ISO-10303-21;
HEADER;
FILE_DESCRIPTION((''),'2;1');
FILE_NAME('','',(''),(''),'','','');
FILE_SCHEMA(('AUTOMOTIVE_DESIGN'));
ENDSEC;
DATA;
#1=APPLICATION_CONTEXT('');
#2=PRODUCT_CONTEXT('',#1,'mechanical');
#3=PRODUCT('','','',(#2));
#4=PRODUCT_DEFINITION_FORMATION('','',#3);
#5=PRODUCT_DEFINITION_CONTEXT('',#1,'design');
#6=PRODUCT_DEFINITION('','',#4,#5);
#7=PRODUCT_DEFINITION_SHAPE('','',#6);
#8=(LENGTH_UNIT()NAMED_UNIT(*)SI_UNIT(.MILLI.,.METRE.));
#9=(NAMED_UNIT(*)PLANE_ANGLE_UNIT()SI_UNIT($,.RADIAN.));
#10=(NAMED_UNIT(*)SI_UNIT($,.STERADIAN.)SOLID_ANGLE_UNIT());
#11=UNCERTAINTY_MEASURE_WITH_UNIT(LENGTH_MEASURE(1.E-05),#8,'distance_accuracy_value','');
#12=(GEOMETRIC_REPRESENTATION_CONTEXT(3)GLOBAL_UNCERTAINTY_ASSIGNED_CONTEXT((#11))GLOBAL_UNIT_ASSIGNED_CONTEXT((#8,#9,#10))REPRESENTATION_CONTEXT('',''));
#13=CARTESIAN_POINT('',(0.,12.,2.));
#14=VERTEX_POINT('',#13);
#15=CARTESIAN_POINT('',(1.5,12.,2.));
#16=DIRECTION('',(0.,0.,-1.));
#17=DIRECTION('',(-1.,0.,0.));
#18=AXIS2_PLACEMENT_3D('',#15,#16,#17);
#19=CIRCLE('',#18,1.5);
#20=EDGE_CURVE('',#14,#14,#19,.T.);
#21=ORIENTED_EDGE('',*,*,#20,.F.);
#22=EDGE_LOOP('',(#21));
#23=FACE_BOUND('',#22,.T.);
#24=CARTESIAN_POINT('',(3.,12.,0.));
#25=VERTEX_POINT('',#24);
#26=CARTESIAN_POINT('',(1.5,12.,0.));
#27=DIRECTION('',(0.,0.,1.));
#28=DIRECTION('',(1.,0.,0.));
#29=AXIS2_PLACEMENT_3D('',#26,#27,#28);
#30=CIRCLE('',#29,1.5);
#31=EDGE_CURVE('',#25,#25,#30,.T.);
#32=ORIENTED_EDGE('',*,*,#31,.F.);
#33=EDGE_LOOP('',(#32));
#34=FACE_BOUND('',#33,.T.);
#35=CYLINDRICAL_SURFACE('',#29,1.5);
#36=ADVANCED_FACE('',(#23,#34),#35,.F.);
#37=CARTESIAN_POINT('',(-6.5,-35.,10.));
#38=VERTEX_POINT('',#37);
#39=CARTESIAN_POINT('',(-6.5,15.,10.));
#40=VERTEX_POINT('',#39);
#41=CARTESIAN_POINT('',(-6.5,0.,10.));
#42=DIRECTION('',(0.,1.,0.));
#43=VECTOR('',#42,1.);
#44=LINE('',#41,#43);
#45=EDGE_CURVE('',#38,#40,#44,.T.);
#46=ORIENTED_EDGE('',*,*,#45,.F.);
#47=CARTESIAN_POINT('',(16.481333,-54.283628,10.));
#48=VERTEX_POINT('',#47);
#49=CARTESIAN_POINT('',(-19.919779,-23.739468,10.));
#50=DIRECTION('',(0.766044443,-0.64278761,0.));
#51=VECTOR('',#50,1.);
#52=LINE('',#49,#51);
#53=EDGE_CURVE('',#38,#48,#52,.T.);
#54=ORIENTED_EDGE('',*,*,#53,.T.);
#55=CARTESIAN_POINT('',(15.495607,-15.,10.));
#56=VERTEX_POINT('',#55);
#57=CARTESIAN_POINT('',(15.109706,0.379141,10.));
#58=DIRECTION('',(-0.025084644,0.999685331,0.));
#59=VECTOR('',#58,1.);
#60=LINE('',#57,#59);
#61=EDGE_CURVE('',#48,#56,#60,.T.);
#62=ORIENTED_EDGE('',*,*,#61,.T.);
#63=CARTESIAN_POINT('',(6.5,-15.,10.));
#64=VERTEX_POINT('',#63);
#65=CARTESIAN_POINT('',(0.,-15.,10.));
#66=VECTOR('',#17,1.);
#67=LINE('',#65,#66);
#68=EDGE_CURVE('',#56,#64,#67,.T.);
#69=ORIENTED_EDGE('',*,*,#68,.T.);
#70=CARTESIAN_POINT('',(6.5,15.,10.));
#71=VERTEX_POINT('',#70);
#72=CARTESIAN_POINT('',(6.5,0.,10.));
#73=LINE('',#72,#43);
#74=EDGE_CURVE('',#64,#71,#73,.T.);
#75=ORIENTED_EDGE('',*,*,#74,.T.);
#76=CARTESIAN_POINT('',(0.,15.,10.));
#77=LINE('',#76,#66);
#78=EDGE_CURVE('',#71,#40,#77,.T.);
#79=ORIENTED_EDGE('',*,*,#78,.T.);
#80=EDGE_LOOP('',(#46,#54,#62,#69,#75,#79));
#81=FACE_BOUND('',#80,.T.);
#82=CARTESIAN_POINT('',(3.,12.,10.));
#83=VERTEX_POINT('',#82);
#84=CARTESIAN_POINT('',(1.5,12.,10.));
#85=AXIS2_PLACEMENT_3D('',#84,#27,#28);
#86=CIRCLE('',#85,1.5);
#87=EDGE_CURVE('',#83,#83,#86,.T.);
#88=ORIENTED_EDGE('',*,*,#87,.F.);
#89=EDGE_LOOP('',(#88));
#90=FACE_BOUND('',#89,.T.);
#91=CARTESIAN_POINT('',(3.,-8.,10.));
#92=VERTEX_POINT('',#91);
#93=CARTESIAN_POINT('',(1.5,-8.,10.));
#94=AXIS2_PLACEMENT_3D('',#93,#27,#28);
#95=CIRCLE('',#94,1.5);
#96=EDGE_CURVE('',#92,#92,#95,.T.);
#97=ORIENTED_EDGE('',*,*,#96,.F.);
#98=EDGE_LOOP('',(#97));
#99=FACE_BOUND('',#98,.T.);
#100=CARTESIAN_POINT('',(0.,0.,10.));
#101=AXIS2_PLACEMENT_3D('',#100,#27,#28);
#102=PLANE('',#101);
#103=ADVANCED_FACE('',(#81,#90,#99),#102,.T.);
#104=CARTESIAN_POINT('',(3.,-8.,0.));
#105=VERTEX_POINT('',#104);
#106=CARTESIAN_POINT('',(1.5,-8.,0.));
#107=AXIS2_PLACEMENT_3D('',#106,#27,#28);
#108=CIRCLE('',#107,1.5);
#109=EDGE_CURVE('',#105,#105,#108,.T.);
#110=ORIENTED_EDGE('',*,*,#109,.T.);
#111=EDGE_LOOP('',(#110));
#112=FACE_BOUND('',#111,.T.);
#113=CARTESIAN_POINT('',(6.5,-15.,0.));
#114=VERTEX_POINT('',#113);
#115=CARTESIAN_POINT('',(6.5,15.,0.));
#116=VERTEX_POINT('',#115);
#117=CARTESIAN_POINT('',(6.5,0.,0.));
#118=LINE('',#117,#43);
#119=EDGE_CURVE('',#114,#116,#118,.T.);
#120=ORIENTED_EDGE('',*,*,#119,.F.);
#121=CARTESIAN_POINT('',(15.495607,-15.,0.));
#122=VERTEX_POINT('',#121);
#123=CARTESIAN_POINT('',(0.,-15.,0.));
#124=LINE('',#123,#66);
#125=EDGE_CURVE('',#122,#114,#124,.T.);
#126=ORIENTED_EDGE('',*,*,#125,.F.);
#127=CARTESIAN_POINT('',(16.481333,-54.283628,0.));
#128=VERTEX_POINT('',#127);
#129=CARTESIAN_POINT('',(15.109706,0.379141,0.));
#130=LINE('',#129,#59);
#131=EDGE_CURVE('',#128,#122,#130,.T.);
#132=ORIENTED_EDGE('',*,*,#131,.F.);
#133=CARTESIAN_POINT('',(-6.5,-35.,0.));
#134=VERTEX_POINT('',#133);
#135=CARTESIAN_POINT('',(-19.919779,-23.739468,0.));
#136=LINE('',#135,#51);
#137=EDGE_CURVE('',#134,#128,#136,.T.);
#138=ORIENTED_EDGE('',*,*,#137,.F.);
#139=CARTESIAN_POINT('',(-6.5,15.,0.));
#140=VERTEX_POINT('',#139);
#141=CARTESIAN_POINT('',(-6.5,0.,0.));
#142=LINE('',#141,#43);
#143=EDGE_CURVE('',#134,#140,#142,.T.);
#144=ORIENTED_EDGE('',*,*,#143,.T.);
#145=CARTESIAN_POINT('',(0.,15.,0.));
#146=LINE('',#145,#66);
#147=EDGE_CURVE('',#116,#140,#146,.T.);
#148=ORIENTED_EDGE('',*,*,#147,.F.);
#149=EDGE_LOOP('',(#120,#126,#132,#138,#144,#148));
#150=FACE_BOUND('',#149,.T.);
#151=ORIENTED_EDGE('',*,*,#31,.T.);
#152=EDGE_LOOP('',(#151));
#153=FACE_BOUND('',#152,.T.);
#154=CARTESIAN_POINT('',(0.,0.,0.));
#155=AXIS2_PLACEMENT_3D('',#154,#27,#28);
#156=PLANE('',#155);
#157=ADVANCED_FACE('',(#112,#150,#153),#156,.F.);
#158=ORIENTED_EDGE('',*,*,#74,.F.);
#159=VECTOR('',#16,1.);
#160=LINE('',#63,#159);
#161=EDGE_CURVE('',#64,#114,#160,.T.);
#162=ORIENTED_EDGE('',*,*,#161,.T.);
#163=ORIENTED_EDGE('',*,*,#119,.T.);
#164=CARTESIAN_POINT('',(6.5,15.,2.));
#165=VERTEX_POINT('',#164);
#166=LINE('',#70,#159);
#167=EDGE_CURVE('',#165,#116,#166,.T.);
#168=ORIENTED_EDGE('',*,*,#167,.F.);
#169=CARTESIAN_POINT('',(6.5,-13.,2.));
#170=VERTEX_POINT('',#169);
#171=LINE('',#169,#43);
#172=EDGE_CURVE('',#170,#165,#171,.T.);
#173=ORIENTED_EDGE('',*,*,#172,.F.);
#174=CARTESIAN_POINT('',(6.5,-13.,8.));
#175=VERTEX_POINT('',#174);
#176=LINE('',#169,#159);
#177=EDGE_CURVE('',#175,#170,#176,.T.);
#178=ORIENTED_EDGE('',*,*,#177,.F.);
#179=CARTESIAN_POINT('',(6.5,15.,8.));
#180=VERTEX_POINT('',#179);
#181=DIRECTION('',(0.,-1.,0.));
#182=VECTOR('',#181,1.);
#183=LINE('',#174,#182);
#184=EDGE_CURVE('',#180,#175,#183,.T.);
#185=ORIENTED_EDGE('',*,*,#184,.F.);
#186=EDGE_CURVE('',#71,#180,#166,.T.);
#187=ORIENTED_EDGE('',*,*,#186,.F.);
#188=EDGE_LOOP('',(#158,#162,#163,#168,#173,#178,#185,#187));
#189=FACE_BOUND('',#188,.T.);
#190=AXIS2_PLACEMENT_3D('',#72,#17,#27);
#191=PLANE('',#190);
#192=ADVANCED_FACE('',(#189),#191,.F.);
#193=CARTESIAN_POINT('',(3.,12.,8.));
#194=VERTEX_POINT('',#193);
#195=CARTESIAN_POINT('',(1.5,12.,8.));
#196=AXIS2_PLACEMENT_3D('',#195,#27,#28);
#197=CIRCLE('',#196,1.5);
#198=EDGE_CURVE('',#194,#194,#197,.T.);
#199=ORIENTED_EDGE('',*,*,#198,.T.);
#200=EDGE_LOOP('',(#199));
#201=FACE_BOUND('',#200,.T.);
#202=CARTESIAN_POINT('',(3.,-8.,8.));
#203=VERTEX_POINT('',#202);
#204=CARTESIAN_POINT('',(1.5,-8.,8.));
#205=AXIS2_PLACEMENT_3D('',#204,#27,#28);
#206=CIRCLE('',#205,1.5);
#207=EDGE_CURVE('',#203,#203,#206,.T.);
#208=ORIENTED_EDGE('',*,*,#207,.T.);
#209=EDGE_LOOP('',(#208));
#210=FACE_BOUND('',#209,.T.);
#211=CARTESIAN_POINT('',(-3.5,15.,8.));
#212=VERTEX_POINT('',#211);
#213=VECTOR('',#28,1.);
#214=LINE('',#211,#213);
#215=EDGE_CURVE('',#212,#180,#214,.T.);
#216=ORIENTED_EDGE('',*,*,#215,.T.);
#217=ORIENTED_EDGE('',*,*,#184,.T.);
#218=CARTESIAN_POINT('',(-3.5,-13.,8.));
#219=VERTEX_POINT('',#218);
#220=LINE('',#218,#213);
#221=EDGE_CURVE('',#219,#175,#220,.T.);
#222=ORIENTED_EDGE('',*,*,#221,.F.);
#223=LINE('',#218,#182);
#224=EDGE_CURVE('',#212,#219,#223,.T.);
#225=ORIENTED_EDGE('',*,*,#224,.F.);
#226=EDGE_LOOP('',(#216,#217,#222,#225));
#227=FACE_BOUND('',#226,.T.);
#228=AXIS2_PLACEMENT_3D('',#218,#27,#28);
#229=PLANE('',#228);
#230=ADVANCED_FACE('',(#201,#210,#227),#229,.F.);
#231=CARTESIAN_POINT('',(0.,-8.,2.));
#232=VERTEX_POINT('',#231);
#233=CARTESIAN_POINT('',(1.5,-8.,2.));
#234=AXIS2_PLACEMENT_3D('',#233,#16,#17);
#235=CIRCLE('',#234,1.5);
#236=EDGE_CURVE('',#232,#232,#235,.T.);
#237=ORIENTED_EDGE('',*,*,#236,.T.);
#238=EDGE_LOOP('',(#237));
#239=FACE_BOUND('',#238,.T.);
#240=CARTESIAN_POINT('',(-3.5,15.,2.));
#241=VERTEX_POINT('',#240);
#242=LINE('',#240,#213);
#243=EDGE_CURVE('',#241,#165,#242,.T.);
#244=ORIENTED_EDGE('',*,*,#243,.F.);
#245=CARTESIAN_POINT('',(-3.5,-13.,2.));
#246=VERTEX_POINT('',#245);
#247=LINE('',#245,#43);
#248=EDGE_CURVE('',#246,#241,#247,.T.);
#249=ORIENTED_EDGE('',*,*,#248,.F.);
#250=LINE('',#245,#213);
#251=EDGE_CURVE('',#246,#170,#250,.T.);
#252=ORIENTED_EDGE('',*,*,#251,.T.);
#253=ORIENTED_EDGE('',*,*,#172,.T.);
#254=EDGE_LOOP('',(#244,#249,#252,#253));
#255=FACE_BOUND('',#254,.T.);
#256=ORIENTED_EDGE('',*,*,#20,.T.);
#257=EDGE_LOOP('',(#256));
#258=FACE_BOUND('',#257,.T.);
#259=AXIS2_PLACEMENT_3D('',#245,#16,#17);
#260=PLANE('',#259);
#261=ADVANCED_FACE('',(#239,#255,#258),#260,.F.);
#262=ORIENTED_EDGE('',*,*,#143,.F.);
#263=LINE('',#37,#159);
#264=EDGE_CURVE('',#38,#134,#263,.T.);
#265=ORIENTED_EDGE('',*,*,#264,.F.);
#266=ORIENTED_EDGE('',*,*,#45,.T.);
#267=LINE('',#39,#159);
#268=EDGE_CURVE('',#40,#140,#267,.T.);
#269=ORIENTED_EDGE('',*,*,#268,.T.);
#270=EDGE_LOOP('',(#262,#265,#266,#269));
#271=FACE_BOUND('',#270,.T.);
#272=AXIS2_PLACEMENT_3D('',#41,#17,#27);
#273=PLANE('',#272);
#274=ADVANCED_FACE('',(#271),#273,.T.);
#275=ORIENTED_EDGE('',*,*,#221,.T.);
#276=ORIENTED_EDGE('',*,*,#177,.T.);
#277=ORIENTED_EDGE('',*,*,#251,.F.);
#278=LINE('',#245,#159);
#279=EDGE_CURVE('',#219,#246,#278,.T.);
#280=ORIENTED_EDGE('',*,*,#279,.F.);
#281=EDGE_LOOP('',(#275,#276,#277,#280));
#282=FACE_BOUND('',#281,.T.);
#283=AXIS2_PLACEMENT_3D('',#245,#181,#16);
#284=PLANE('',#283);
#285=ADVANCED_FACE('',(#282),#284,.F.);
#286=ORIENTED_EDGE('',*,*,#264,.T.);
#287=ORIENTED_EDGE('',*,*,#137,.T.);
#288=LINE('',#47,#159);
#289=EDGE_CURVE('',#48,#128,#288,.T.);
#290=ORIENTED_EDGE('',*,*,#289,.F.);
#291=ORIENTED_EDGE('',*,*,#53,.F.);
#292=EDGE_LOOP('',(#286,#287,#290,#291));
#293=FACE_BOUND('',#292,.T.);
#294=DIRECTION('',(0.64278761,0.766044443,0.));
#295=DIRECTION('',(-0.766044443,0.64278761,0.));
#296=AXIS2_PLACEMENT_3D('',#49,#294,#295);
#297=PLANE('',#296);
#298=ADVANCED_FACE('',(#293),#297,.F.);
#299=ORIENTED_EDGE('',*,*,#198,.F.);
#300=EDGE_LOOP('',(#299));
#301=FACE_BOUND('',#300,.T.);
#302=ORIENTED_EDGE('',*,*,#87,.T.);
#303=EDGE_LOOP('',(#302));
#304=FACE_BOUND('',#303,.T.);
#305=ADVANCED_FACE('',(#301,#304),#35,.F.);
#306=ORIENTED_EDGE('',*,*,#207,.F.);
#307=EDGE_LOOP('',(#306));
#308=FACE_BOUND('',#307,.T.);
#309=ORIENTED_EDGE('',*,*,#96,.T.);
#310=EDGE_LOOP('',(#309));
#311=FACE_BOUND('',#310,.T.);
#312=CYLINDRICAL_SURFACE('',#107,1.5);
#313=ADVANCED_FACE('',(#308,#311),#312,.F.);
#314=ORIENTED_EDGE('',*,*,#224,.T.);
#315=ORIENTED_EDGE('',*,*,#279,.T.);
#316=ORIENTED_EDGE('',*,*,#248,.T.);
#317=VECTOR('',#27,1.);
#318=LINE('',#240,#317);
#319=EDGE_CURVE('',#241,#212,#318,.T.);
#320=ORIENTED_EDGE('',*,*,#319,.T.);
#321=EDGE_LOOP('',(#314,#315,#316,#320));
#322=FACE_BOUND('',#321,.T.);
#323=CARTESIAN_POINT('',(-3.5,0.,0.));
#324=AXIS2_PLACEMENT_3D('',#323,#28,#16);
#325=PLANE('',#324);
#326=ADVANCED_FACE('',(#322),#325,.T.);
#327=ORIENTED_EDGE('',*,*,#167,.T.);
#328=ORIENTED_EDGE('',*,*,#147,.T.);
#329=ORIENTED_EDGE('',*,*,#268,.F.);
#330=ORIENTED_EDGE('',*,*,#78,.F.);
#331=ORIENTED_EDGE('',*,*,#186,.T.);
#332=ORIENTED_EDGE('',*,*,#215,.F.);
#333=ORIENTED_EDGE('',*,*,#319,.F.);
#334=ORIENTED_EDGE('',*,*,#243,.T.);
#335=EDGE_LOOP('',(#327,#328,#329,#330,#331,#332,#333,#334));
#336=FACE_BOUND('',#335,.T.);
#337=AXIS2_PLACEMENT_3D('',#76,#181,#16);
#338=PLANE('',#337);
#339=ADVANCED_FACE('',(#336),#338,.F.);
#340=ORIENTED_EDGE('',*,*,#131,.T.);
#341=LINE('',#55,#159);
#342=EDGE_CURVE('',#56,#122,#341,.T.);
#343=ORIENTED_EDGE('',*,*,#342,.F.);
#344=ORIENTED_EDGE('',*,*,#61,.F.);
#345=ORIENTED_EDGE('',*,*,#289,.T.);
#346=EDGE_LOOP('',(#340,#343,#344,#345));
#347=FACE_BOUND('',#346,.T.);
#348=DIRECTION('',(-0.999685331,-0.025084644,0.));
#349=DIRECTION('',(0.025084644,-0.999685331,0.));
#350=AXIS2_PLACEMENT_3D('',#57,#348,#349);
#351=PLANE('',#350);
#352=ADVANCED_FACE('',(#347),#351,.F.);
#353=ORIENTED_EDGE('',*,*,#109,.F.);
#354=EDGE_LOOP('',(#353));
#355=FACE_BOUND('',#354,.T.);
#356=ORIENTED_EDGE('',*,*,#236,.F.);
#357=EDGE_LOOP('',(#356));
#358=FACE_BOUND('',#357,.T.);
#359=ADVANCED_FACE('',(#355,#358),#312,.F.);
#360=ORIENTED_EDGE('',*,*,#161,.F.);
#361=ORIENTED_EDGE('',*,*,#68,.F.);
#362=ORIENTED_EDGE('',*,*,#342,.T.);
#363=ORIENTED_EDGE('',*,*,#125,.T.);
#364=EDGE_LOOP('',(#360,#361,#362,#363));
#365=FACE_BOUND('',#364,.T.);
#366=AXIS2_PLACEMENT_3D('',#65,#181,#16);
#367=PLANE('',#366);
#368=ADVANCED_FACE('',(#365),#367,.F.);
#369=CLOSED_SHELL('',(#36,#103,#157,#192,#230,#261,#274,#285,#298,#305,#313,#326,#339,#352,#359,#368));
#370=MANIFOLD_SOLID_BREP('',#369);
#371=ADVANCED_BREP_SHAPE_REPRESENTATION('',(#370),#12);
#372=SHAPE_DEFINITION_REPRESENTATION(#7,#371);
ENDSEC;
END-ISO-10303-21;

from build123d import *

# Parameters (mm, degrees)
SKETCH_1_W          = 13
SKETCH_1_H          = 30
EXTRUDE_1_DEPTH     = 10
SKETCH_2_W          = 6
SKETCH_2_H          = 28
CUT_EXTRUDE_1_DEPTH = 10
SKETCH_3_R          = 1.5
CUT_EXTRUDE_2_DEPTH = 58.605092201
SKETCH_4_R          = 1.5
CUT_EXTRUDE_3_DEPTH = 58.605092201


with BuildPart() as part:
    # 草图1 → 凸台-拉伸1 (new body)
    with BuildSketch(Plane.XY):
        Rectangle(SKETCH_1_W, SKETCH_1_H)
        Polygon((16.481333294, -54.283628291), (15.495607284, -15), (6.5, -15), (-6.5, -15), (-6.5, -35), align=None)
    extrude(amount=EXTRUDE_1_DEPTH)

    # 草图2 → 切除-拉伸1 (cut)
    with BuildSketch(Plane(origin=(6.5, 0, 0), x_dir=(0, 0, -1), z_dir=(1, 0, 0))):
        with Locations((-5, 1)):
            Rectangle(SKETCH_2_W, SKETCH_2_H)
    extrude(amount=-CUT_EXTRUDE_1_DEPTH, mode=Mode.SUBTRACT)

    # 草图3 → 切除-拉伸2 (cut, through all)
    with BuildSketch(Plane.XY.offset(10)):
        with Locations((1.5, 12)):
            Circle(SKETCH_3_R)
    extrude(amount=-CUT_EXTRUDE_2_DEPTH, mode=Mode.SUBTRACT)

    # 草图4 → 切除-拉伸3 (cut, through all)
    with BuildSketch(Plane.XY.offset(10)):
        with Locations((1.5, -8)):
            Circle(SKETCH_4_R)
    extrude(amount=-CUT_EXTRUDE_3_DEPTH, mode=Mode.SUBTRACT)


solid = part.part
